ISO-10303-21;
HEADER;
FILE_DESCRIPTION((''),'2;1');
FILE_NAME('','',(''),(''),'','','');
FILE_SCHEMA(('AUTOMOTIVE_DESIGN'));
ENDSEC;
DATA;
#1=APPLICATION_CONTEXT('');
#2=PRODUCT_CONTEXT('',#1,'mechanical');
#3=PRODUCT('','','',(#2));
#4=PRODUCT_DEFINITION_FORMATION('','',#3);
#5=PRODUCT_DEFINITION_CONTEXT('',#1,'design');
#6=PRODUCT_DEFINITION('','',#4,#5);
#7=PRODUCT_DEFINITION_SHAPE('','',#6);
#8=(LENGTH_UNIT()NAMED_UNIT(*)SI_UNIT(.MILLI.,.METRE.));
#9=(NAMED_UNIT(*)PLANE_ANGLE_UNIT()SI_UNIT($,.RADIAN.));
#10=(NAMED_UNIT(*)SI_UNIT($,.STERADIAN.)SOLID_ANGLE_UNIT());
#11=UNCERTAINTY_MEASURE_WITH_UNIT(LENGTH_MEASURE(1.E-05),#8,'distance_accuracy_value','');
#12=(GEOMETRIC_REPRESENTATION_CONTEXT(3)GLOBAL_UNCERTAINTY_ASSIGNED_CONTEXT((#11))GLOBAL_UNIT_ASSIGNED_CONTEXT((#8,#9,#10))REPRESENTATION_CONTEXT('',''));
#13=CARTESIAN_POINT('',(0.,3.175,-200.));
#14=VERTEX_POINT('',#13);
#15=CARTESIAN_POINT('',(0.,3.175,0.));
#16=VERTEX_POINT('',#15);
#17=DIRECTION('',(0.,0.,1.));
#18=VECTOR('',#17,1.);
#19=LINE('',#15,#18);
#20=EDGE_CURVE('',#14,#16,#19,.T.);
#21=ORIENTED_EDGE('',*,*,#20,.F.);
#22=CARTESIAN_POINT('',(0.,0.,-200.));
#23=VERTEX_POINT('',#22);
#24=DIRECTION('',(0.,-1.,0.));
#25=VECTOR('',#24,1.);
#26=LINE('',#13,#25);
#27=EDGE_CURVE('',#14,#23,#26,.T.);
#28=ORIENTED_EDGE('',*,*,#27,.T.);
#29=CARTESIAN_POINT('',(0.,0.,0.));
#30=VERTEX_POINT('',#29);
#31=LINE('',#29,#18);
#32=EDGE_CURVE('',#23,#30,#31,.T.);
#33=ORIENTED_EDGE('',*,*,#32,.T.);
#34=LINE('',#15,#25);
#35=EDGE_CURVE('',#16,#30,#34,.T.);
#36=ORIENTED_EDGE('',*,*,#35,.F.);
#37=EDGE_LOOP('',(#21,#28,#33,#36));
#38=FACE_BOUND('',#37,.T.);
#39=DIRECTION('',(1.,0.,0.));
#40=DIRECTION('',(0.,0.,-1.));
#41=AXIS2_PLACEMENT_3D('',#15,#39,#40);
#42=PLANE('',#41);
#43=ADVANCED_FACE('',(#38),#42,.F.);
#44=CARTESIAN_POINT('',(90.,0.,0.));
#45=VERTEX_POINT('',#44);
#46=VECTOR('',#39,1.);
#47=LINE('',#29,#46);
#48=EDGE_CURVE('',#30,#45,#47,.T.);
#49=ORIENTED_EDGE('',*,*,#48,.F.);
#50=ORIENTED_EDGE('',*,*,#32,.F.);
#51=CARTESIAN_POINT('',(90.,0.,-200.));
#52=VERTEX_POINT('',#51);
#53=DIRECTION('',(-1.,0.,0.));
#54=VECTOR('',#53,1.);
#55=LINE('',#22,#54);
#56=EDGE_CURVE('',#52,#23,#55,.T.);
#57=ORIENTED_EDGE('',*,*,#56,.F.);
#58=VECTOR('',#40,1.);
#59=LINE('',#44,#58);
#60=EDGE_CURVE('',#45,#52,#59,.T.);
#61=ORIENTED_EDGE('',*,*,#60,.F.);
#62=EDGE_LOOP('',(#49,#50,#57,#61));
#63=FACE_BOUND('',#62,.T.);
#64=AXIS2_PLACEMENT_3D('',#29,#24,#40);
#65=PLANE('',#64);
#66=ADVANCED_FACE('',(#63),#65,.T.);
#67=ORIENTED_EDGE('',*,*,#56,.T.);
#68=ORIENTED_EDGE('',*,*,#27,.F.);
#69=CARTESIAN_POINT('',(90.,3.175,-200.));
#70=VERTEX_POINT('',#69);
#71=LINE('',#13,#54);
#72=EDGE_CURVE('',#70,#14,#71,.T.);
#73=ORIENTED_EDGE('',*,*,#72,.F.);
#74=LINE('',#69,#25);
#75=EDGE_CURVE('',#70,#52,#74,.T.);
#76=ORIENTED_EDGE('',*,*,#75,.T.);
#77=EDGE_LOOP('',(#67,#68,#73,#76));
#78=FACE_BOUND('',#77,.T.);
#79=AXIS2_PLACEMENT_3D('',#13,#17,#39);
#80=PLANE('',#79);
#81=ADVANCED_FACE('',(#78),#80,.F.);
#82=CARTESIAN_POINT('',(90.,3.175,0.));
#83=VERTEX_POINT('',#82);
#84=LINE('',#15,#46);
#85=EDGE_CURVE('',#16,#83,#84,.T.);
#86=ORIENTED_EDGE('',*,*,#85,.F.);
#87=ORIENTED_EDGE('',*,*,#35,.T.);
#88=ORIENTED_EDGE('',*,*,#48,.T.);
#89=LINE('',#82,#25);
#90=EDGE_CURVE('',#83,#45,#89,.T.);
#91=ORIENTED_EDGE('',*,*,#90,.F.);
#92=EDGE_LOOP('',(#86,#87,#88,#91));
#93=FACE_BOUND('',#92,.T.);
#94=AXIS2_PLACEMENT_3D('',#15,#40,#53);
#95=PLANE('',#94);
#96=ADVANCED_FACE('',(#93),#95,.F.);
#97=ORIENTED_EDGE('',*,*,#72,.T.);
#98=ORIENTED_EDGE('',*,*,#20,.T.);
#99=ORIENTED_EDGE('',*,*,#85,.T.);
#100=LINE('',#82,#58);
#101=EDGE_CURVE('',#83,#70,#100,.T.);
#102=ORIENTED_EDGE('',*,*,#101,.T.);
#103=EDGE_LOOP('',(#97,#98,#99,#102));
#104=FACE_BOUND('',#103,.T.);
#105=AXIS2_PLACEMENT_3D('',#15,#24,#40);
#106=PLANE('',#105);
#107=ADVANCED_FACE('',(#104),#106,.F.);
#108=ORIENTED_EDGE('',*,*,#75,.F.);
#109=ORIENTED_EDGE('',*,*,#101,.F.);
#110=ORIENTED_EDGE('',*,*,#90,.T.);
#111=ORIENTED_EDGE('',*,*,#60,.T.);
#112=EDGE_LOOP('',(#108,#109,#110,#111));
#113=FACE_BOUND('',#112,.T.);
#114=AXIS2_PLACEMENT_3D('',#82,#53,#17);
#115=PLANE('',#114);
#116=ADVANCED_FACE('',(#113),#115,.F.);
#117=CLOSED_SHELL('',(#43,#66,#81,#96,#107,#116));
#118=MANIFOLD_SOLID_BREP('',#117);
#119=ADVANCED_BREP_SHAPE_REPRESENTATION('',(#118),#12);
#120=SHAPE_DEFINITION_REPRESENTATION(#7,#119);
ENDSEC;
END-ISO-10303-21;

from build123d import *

# Parameters (mm, degrees)
SKETCH1_W           = 90
SKETCH1_H           = 200
BOSS_EXTRUDE1_DEPTH = 3.175


with BuildPart() as part:
    # Sketch1 → Boss-Extrude1 (new body)
    with BuildSketch(Plane(origin=(0, 0, 0), x_dir=(1, 0, 0), z_dir=(0, 1, 0))):
        with Locations((45, 100)):
            Rectangle(SKETCH1_W, SKETCH1_H)
    extrude(amount=BOSS_EXTRUDE1_DEPTH)


solid = part.part
